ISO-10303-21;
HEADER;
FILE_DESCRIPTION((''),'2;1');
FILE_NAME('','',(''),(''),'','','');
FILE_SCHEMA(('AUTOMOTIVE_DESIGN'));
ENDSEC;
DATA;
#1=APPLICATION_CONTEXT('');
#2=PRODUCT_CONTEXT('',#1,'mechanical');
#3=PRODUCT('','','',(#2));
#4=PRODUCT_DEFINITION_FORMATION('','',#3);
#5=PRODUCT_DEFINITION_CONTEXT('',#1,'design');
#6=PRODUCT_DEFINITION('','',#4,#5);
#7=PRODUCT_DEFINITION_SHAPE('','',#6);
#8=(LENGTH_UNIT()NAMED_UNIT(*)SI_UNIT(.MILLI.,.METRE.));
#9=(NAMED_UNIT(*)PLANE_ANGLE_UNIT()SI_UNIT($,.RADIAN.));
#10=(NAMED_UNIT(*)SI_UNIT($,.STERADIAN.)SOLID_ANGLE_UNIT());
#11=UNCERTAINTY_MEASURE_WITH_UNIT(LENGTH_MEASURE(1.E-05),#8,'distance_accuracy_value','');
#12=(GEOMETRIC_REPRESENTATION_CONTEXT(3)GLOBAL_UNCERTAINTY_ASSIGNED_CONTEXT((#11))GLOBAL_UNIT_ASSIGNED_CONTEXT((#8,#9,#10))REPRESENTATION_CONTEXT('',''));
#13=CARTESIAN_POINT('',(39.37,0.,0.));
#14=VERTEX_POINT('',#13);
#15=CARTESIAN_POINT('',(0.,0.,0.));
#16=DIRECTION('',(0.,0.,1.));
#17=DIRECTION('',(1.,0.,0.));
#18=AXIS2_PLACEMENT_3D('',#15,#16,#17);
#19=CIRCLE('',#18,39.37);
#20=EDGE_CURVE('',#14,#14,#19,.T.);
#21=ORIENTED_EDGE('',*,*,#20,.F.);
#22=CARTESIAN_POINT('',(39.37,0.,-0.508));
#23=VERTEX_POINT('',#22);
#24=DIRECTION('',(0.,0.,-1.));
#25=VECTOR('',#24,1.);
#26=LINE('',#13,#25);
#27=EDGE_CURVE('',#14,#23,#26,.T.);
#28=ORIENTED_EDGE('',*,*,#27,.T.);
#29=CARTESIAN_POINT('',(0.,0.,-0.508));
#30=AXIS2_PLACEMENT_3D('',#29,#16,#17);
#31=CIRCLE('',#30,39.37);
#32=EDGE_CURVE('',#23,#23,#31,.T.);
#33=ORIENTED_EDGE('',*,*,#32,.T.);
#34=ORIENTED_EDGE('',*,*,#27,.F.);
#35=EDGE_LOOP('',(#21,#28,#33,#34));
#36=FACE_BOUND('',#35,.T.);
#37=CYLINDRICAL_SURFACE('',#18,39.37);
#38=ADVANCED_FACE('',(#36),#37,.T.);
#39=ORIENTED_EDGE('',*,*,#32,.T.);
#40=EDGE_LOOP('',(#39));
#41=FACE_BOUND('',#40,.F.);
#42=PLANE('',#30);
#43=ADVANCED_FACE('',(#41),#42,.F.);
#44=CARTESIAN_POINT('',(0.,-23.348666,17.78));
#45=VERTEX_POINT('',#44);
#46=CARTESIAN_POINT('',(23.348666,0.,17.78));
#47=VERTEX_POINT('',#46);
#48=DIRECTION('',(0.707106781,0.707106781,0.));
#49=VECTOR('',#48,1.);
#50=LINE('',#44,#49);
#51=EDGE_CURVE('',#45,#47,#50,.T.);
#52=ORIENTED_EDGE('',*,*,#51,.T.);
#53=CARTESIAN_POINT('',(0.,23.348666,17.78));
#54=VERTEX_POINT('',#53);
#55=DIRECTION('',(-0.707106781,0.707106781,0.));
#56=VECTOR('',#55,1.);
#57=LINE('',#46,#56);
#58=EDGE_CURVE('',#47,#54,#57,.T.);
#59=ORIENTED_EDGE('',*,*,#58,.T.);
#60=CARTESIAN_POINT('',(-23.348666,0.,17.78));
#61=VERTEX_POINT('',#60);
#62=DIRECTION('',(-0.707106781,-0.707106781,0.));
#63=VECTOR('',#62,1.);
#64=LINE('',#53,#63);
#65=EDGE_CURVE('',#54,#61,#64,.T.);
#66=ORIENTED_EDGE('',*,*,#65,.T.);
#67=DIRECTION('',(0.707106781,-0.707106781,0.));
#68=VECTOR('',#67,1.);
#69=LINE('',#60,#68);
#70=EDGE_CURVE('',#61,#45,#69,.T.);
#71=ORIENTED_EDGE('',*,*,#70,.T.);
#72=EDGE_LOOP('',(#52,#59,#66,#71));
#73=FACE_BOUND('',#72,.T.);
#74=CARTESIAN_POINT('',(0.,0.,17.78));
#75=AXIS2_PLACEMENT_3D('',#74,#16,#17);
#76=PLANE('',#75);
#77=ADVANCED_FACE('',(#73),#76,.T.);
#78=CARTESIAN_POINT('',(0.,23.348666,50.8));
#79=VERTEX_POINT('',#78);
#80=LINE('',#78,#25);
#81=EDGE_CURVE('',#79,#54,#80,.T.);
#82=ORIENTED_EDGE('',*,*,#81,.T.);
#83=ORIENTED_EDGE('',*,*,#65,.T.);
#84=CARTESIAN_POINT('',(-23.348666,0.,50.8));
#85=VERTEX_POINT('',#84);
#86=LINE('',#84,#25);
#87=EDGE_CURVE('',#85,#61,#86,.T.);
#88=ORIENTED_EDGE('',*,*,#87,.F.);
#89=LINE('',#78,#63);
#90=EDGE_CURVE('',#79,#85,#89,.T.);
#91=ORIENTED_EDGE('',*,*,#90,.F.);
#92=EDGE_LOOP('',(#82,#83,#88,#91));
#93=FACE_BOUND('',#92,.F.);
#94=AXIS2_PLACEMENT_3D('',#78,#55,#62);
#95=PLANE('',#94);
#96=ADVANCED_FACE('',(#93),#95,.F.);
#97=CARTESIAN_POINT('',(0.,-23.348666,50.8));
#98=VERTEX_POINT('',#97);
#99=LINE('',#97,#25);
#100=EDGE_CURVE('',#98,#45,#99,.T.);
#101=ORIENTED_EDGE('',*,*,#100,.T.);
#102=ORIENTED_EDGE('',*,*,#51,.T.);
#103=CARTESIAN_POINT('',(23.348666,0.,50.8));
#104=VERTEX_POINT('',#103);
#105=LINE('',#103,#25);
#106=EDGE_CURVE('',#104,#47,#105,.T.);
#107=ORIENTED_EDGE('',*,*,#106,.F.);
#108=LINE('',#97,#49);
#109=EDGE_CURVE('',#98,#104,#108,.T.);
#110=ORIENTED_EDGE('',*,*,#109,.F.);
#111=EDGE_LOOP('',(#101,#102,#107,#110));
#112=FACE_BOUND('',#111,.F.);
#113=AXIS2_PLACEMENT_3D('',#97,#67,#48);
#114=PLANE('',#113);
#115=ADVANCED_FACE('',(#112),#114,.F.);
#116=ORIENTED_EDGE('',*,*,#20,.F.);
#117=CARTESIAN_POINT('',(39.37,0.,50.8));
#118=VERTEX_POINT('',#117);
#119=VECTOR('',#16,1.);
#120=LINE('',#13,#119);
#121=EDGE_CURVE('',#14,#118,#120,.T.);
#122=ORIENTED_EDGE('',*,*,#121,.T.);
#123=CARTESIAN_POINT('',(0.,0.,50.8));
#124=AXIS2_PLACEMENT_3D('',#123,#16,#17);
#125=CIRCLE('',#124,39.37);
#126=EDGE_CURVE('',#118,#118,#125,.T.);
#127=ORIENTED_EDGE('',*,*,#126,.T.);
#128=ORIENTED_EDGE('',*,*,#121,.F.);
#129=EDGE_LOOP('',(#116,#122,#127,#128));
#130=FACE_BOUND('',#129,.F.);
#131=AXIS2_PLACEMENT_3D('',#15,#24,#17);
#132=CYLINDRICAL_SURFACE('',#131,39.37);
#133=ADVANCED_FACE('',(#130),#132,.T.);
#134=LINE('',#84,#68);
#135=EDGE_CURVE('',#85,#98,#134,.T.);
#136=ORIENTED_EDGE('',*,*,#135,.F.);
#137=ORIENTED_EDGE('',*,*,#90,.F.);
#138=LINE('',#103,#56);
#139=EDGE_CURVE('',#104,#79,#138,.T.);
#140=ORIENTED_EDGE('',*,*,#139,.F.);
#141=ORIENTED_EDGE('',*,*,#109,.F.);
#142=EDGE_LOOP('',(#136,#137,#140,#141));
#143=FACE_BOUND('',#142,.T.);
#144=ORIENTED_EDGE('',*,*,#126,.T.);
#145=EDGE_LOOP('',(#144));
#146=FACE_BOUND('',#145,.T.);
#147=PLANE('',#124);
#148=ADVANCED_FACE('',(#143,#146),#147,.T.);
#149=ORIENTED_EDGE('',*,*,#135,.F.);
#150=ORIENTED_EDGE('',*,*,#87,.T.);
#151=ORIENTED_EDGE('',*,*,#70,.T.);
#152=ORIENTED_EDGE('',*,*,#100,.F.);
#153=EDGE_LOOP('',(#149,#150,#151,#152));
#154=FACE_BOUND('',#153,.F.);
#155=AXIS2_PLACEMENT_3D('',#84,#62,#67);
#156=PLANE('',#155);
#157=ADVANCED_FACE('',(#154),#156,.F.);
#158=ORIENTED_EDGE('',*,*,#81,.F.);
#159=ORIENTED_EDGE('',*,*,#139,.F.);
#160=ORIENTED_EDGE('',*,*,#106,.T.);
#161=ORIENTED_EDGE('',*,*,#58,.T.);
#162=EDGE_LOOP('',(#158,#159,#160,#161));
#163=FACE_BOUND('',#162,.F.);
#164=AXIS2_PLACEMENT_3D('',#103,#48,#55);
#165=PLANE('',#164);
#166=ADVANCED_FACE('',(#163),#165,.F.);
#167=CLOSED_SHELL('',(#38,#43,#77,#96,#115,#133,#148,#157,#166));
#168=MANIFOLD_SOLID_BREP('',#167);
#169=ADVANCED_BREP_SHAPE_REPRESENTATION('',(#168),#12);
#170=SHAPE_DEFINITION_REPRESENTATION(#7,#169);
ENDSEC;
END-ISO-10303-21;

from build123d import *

# Parameters (mm, degrees)
F0_R     = 39.37
F1_DEPTH = 0.508
F2_R     = 39.37
F3_DEPTH = 50.8
F5_DEPTH = 33.02


with BuildPart() as f1:
    # F0 (on Top) → F1 (new body)
    with BuildSketch(Plane.XY):
        Circle(F0_R)
    extrude(amount=-F1_DEPTH)

    # F2 (on Top) → F3 (join)
    with BuildSketch(Plane.XY):
        Circle(F2_R)
    extrude(amount=F3_DEPTH)

    # F4 (on face) → F5 (cut)
    with BuildSketch(Plane.XY.offset(50.8)):
        Polygon((23.348666, 0), (0, 23.348666), (-23.348666, 0), (0, -23.348666), align=None)
    extrude(amount=-F5_DEPTH, mode=Mode.SUBTRACT)


solid = f1.part
